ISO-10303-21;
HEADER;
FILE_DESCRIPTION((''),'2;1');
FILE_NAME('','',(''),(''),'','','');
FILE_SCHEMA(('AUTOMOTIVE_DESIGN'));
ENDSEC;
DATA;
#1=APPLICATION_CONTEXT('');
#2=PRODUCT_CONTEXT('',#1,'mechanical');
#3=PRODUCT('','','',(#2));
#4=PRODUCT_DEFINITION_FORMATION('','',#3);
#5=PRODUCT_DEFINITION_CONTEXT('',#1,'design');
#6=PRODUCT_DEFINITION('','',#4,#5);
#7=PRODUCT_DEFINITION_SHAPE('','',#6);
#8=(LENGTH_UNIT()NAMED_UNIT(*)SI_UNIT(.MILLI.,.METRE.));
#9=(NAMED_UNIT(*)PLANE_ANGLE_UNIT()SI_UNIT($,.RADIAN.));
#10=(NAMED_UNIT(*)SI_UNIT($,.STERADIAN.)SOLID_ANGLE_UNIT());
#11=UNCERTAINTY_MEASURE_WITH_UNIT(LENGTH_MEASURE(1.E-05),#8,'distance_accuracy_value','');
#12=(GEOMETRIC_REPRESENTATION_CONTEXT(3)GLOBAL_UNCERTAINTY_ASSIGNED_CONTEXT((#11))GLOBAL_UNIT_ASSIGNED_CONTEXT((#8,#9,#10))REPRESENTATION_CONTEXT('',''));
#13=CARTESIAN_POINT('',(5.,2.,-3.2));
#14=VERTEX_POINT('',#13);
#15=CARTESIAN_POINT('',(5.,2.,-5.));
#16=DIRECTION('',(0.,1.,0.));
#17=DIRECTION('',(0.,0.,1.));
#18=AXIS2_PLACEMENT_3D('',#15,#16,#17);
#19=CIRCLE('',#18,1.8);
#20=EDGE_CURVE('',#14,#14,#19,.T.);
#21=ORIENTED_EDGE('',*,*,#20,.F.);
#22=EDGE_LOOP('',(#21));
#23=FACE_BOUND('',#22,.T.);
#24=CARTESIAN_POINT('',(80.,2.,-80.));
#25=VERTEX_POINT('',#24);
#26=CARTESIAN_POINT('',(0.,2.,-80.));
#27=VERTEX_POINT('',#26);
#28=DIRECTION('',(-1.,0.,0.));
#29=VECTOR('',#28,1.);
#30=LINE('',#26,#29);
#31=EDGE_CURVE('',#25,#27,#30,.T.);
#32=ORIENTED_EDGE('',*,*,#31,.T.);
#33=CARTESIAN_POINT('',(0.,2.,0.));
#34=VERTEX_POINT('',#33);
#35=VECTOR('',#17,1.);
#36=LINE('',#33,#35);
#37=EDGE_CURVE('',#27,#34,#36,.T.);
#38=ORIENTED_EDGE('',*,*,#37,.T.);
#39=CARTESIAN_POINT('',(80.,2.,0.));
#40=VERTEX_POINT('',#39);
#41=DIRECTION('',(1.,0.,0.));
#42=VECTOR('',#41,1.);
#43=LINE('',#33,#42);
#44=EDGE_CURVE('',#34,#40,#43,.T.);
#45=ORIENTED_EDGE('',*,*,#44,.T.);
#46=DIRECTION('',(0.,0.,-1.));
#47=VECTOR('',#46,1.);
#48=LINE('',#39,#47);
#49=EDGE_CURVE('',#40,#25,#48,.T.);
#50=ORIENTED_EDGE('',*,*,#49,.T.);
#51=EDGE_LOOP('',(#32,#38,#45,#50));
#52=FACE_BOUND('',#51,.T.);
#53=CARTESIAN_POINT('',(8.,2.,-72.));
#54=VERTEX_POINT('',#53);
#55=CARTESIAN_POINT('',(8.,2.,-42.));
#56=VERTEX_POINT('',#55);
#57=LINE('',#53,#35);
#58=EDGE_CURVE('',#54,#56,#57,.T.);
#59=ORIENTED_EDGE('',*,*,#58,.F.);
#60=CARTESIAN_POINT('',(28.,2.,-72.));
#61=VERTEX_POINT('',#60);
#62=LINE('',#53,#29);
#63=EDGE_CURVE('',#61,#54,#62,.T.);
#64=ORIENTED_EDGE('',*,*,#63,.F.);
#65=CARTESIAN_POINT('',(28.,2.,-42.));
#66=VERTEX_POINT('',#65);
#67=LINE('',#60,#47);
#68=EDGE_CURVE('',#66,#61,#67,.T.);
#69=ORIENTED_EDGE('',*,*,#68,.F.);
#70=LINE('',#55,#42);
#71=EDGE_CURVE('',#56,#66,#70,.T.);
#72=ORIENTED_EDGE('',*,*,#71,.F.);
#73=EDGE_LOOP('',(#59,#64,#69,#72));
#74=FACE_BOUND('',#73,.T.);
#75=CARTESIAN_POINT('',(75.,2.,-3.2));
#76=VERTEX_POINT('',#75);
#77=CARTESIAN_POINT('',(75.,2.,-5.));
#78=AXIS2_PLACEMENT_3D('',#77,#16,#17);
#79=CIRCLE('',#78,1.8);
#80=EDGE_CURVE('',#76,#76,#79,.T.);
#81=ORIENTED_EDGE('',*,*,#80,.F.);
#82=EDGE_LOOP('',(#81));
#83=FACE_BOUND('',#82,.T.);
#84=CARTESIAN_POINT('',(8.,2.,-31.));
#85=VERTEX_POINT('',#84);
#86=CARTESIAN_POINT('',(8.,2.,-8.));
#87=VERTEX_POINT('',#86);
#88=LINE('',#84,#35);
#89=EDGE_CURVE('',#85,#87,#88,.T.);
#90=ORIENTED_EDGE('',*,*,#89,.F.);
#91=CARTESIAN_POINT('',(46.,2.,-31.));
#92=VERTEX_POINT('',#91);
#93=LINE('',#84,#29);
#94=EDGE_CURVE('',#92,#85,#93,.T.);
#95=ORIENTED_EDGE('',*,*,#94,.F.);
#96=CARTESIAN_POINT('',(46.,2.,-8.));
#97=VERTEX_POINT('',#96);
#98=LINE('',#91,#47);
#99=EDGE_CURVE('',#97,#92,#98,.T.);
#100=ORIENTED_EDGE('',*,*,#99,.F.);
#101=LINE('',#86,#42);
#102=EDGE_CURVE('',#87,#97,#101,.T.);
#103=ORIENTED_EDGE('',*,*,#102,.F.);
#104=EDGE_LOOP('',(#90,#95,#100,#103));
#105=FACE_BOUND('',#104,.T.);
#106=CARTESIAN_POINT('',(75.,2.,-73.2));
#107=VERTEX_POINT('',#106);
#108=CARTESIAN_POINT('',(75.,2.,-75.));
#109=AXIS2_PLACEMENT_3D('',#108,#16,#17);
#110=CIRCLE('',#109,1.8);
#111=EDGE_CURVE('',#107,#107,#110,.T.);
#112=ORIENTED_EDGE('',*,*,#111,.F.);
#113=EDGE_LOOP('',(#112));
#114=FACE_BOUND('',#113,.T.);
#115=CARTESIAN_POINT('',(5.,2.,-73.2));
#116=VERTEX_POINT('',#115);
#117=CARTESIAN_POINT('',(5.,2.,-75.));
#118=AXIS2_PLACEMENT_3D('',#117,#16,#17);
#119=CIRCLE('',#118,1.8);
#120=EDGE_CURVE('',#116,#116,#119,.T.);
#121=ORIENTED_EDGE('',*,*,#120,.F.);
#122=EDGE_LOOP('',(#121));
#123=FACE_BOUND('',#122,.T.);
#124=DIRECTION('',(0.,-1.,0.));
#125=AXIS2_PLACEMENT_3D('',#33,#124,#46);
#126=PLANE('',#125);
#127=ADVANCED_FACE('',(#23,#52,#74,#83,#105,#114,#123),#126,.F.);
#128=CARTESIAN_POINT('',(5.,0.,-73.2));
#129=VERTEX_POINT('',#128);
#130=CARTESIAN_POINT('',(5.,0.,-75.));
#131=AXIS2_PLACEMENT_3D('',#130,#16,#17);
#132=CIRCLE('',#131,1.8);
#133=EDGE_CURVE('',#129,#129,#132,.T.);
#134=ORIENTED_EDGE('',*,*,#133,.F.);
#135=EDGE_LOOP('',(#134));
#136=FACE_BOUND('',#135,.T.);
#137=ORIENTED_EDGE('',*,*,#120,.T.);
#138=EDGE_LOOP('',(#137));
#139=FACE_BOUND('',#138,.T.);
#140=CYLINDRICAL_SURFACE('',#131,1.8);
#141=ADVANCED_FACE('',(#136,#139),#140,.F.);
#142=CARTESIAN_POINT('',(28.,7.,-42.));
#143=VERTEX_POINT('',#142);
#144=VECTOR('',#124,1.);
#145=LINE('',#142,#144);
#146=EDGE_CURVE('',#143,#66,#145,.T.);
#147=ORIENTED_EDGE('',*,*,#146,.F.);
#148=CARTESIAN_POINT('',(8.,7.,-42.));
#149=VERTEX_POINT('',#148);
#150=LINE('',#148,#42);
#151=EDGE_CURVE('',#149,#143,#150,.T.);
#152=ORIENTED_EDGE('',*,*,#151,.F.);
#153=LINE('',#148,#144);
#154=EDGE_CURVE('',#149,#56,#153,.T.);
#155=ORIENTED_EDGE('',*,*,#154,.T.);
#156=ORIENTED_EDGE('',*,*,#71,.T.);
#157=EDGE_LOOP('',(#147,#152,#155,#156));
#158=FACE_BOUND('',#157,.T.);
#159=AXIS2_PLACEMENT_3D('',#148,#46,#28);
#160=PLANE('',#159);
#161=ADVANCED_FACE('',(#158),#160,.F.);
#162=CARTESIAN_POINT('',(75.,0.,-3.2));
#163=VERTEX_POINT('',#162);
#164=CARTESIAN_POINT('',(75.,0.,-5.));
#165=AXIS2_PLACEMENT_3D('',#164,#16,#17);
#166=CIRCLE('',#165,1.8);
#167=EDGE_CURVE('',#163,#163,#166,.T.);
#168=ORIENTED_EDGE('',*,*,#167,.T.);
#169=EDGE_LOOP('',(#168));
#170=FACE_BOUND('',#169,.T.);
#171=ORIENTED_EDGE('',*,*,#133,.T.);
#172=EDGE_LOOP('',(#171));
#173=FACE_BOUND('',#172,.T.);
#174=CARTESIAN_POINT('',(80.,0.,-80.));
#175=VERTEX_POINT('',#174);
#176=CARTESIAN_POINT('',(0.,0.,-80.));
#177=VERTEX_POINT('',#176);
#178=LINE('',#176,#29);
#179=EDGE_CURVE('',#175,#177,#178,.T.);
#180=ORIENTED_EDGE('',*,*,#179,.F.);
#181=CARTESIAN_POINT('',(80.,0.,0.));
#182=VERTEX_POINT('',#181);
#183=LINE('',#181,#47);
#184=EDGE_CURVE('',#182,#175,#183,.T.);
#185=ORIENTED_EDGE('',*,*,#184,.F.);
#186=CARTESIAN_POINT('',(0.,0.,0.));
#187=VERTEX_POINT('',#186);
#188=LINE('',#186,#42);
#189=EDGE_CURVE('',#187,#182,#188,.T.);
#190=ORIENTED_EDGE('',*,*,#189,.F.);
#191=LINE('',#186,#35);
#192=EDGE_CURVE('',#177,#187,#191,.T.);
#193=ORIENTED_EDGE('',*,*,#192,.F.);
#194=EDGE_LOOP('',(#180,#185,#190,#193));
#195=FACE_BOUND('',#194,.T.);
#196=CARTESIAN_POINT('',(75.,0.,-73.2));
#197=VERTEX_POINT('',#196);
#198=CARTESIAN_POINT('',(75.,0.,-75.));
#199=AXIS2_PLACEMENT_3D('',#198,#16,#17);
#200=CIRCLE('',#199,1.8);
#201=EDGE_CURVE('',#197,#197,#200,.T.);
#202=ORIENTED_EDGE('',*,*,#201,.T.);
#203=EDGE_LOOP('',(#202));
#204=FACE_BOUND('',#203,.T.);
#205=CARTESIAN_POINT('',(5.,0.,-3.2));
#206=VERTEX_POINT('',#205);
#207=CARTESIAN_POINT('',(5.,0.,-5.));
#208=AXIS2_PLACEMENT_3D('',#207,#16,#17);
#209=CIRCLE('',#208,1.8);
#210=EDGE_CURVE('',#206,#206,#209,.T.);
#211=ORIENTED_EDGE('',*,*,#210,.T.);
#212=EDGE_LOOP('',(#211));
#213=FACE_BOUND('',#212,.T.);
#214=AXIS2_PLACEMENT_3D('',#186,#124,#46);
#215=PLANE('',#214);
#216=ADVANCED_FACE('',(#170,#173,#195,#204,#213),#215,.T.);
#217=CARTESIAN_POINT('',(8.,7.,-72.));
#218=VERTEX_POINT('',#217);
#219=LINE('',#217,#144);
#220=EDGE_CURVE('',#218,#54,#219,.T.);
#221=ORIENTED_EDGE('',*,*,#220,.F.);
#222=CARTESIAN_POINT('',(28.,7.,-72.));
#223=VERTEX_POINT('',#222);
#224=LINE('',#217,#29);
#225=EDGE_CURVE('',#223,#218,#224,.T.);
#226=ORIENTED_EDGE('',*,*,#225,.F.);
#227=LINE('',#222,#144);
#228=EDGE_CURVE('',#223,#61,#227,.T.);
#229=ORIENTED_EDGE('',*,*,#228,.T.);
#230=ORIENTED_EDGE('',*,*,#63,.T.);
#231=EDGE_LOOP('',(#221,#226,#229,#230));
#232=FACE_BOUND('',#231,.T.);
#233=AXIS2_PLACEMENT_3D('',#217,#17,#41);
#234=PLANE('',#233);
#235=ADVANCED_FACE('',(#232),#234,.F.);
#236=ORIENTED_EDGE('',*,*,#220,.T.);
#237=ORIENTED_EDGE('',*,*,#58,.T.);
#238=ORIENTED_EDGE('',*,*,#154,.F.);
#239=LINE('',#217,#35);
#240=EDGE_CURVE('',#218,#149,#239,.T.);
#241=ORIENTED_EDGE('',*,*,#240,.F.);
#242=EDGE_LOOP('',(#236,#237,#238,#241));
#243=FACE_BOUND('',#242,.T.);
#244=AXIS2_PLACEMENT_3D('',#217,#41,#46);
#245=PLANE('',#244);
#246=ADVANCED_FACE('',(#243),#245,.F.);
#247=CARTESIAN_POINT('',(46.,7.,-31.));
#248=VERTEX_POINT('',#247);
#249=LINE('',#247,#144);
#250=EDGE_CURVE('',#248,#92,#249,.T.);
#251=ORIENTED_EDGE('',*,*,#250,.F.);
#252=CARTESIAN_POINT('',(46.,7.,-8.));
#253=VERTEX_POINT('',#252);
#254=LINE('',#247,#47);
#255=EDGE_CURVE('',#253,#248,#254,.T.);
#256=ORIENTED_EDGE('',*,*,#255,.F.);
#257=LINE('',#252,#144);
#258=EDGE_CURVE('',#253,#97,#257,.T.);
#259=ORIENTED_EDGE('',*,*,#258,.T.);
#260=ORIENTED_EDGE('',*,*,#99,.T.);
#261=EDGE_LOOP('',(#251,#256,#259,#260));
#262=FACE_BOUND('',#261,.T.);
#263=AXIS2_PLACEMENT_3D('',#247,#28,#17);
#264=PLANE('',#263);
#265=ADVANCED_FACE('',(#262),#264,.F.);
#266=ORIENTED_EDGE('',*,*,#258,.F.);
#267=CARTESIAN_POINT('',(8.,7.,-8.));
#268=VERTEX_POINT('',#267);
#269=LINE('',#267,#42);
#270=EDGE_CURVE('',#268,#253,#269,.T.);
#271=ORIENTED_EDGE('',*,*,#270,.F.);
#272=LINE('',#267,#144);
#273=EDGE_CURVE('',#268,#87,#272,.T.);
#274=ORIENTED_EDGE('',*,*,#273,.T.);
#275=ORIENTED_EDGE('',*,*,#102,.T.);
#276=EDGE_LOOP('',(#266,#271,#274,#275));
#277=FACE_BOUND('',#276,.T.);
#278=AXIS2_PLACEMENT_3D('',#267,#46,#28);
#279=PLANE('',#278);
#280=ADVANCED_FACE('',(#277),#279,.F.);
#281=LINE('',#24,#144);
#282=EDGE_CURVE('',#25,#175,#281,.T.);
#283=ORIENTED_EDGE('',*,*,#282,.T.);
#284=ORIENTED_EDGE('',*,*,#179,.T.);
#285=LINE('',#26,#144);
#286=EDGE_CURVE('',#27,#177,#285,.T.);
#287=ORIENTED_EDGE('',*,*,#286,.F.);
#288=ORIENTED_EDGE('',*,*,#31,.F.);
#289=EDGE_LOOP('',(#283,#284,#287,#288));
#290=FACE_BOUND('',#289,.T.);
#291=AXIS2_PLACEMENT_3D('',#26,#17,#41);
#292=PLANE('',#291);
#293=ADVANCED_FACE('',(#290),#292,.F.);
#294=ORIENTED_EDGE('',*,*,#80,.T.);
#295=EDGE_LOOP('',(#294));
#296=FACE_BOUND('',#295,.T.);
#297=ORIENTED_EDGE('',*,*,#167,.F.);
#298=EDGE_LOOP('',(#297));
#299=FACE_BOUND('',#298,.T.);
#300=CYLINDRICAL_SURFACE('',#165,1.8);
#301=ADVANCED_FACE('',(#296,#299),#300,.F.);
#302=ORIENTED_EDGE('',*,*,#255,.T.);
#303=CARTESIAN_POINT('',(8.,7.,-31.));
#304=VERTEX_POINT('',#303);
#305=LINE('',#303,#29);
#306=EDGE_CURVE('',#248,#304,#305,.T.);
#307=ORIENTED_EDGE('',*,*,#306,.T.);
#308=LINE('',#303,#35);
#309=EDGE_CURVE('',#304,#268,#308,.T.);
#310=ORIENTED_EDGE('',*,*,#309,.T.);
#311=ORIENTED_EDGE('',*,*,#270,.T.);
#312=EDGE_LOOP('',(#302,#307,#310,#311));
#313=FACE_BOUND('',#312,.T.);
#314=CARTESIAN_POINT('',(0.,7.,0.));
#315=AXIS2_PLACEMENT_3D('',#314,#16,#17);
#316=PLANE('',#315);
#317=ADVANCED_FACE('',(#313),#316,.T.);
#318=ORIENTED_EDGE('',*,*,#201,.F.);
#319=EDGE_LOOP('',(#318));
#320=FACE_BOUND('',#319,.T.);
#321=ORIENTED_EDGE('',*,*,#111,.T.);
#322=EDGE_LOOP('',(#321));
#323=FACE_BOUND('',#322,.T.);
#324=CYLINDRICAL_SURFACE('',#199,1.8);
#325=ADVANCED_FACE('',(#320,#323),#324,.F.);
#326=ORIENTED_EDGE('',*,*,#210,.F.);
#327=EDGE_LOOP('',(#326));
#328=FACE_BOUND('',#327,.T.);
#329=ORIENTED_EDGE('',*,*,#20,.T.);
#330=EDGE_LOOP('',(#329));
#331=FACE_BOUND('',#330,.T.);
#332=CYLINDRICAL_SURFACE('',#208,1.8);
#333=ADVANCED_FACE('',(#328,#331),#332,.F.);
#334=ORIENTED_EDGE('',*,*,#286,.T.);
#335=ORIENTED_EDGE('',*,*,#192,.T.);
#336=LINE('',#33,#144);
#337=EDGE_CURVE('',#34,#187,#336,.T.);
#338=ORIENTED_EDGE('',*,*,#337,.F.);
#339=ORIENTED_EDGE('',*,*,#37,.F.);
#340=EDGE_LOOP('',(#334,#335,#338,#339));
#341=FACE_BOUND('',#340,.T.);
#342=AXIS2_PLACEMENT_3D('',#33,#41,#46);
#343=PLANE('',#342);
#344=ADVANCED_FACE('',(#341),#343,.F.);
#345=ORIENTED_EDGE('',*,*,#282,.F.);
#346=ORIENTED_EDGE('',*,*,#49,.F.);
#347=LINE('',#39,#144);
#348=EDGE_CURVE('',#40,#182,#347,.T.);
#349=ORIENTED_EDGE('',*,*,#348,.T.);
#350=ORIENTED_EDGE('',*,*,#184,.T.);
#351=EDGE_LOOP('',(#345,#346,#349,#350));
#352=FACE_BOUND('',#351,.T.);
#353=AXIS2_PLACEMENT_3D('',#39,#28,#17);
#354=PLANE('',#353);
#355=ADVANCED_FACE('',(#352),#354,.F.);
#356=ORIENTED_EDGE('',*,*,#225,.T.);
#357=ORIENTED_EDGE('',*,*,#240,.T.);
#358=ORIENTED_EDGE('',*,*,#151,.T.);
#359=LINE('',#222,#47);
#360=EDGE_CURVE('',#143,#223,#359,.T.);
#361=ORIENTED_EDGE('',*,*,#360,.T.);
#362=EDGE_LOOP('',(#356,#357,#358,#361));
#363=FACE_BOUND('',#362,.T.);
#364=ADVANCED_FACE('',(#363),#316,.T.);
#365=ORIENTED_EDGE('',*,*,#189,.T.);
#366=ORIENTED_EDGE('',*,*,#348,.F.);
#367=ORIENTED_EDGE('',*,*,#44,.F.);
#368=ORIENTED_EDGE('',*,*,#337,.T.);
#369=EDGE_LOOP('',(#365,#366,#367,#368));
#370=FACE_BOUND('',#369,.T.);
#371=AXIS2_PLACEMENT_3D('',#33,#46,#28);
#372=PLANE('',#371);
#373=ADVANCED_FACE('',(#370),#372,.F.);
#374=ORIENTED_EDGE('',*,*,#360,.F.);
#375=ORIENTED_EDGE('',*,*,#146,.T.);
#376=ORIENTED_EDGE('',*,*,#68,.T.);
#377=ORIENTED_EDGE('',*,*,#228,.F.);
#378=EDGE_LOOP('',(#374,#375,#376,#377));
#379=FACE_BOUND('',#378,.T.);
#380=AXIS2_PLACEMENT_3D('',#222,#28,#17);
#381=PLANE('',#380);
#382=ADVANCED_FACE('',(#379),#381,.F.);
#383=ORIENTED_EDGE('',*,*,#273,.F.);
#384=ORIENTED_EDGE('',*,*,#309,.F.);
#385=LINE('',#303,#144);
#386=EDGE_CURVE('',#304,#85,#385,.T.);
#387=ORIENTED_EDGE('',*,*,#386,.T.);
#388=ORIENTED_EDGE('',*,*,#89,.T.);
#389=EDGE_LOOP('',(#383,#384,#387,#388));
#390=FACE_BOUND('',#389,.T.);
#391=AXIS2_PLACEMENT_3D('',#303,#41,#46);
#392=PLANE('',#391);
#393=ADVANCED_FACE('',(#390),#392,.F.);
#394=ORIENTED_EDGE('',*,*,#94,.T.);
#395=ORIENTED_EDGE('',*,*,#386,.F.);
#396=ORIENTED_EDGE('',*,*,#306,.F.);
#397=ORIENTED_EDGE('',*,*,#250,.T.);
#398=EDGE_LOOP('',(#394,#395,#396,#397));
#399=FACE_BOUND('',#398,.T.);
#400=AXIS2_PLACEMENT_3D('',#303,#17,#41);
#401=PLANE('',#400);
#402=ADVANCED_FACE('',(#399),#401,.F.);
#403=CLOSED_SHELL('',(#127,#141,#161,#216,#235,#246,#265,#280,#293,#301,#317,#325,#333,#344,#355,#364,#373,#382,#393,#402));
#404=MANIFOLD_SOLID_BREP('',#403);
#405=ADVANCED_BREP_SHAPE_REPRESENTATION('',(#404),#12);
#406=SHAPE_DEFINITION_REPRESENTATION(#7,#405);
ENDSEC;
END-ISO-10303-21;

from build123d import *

# Parameters (mm, degrees)
SKETCH1_W              = 80
SKETCH1_H              = 80
PCB_DEPTH              = 2
SKETCH2_R              = 1.8
ATTACHMENT_HOLES_DEPTH = 3
LPATTERN1_COUNT        = 2
LPATTERN1_PITCH        = 70
LPATTERN1_COUNT_DIR2   = 2
LPATTERN1_PITCH_DIR2   = 70
SKETCH3_W              = 20
SKETCH3_H              = 30
GPS_DEPTH              = 5
SKETCH4_W              = 38
SKETCH4_H              = 23
IMU_DEPTH              = 5


with BuildPart() as part:
    # Sketch1 → PCB (new body)
    with BuildSketch(Plane(origin=(0, 0, 0), x_dir=(1, 0, 0), z_dir=(0, 1, 0))):
        with Locations((40, 40)):
            Rectangle(SKETCH1_W, SKETCH1_H)
    extrude(amount=PCB_DEPTH)

    # Sketch2 → Attachment Holes (cut, through all)
    with BuildSketch(Plane(origin=(0, 2, 0), x_dir=(1, 0, 0), z_dir=(0, 1, 0))):
        with Locations((5, 75)):
            Circle(SKETCH2_R)
    attachment_holes = extrude(amount=-ATTACHMENT_HOLES_DEPTH, mode=Mode.SUBTRACT)

    # LPattern1: Attachment Holes 2 × 2
    with Locations(*[(i * LPATTERN1_PITCH, 0, j * LPATTERN1_PITCH_DIR2) for i in range(LPATTERN1_COUNT) for j in range(LPATTERN1_COUNT_DIR2) if (i, j) != (0, 0)]):
        add(attachment_holes, mode=Mode.SUBTRACT)

    # Sketch3 → GPS (add)
    with BuildSketch(Plane(origin=(0, 2, 0), x_dir=(1, 0, 0), z_dir=(0, 1, 0))):
        with Locations((18, 57)):
            Rectangle(SKETCH3_W, SKETCH3_H)
    extrude(amount=GPS_DEPTH)

    # Sketch4 → IMU (add)
    with BuildSketch(Plane(origin=(0, 2, 0), x_dir=(1, 0, 0), z_dir=(0, 1, 0))):
        with Locations((27, 19.5)):
            Rectangle(SKETCH4_W, SKETCH4_H)
    extrude(amount=IMU_DEPTH)


solid = part.part
